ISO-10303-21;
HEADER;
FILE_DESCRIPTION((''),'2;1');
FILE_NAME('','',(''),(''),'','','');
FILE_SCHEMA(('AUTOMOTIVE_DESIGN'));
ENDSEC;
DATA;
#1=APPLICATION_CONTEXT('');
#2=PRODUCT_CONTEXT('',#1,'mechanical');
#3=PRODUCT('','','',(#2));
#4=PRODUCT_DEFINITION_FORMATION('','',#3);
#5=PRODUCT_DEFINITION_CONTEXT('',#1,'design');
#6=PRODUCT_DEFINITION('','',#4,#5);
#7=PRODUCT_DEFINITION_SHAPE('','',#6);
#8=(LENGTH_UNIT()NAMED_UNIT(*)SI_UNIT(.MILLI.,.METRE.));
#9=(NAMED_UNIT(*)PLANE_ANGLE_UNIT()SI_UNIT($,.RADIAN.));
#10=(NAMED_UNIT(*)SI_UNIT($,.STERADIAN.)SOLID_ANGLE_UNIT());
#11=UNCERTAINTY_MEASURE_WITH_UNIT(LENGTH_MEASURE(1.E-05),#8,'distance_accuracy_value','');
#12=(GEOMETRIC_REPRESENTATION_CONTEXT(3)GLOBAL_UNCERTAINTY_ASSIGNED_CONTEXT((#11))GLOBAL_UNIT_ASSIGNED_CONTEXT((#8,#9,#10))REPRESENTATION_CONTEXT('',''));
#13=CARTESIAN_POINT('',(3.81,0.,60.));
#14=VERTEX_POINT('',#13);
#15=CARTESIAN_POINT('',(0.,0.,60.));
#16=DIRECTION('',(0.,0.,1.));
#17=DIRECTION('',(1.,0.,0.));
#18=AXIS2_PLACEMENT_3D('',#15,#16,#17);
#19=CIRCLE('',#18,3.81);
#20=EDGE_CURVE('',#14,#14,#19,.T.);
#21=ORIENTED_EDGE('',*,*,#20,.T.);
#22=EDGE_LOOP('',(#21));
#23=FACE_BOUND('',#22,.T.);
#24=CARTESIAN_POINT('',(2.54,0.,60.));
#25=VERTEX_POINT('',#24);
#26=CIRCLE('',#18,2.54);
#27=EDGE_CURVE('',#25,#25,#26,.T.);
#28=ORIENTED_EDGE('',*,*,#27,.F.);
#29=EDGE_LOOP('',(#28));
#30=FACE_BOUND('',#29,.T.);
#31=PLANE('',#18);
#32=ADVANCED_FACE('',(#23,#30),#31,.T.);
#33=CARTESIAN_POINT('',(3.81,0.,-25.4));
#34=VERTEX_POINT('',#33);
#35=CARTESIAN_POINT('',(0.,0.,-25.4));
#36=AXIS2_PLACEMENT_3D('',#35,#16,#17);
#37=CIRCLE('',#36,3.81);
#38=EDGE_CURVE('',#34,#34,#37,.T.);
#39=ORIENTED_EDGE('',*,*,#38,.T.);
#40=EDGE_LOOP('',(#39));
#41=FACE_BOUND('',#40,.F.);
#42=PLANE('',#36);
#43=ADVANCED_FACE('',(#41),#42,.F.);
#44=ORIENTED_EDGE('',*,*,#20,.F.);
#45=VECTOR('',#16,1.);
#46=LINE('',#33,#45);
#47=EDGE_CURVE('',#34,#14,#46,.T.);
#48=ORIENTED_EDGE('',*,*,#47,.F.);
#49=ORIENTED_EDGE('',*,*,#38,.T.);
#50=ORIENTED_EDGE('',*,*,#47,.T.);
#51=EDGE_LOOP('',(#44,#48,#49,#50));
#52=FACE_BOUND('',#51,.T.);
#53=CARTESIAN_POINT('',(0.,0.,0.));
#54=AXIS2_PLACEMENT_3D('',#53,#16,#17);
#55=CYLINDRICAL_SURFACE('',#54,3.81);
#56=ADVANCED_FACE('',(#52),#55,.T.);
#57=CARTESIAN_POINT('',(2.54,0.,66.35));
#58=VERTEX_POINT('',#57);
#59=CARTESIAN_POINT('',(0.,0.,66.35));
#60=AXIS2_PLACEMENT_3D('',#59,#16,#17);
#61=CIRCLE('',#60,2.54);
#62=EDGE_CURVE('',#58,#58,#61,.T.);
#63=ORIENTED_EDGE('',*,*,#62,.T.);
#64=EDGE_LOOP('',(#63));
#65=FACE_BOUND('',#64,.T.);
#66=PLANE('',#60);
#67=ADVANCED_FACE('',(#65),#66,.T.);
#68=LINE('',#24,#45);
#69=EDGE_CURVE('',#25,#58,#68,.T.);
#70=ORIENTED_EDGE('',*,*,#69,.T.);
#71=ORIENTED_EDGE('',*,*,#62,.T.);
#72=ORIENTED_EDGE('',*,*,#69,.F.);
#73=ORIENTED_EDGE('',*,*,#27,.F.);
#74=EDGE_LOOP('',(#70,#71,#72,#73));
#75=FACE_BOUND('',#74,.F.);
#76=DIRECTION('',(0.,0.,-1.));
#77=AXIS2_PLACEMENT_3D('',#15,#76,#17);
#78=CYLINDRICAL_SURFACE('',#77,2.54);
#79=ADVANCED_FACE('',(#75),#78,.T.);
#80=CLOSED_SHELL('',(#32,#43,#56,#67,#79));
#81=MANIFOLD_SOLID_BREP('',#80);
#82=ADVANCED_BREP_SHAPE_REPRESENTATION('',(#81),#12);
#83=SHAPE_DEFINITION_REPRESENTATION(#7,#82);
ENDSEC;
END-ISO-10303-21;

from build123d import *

# Parameters (mm, degrees)
F0_R          = 3.81
F1_DEPTH      = 60
F1_DEPTH_BACK = 25.4
F2_R          = 2.54
F3_DEPTH      = 6.35


with BuildPart() as f1:
    # F0 (on Top) → F1 (new body, two sides)
    with BuildSketch(Plane.XY) as f1_sk:
        Circle(F0_R)
    extrude(amount=F1_DEPTH)
    extrude(f1_sk.sketch, amount=-F1_DEPTH_BACK)

    # F2 (on face) → F3 (join)
    with BuildSketch(Plane.XY.offset(60)):
        Circle(F2_R)
    extrude(amount=F3_DEPTH)


solid = f1.part
